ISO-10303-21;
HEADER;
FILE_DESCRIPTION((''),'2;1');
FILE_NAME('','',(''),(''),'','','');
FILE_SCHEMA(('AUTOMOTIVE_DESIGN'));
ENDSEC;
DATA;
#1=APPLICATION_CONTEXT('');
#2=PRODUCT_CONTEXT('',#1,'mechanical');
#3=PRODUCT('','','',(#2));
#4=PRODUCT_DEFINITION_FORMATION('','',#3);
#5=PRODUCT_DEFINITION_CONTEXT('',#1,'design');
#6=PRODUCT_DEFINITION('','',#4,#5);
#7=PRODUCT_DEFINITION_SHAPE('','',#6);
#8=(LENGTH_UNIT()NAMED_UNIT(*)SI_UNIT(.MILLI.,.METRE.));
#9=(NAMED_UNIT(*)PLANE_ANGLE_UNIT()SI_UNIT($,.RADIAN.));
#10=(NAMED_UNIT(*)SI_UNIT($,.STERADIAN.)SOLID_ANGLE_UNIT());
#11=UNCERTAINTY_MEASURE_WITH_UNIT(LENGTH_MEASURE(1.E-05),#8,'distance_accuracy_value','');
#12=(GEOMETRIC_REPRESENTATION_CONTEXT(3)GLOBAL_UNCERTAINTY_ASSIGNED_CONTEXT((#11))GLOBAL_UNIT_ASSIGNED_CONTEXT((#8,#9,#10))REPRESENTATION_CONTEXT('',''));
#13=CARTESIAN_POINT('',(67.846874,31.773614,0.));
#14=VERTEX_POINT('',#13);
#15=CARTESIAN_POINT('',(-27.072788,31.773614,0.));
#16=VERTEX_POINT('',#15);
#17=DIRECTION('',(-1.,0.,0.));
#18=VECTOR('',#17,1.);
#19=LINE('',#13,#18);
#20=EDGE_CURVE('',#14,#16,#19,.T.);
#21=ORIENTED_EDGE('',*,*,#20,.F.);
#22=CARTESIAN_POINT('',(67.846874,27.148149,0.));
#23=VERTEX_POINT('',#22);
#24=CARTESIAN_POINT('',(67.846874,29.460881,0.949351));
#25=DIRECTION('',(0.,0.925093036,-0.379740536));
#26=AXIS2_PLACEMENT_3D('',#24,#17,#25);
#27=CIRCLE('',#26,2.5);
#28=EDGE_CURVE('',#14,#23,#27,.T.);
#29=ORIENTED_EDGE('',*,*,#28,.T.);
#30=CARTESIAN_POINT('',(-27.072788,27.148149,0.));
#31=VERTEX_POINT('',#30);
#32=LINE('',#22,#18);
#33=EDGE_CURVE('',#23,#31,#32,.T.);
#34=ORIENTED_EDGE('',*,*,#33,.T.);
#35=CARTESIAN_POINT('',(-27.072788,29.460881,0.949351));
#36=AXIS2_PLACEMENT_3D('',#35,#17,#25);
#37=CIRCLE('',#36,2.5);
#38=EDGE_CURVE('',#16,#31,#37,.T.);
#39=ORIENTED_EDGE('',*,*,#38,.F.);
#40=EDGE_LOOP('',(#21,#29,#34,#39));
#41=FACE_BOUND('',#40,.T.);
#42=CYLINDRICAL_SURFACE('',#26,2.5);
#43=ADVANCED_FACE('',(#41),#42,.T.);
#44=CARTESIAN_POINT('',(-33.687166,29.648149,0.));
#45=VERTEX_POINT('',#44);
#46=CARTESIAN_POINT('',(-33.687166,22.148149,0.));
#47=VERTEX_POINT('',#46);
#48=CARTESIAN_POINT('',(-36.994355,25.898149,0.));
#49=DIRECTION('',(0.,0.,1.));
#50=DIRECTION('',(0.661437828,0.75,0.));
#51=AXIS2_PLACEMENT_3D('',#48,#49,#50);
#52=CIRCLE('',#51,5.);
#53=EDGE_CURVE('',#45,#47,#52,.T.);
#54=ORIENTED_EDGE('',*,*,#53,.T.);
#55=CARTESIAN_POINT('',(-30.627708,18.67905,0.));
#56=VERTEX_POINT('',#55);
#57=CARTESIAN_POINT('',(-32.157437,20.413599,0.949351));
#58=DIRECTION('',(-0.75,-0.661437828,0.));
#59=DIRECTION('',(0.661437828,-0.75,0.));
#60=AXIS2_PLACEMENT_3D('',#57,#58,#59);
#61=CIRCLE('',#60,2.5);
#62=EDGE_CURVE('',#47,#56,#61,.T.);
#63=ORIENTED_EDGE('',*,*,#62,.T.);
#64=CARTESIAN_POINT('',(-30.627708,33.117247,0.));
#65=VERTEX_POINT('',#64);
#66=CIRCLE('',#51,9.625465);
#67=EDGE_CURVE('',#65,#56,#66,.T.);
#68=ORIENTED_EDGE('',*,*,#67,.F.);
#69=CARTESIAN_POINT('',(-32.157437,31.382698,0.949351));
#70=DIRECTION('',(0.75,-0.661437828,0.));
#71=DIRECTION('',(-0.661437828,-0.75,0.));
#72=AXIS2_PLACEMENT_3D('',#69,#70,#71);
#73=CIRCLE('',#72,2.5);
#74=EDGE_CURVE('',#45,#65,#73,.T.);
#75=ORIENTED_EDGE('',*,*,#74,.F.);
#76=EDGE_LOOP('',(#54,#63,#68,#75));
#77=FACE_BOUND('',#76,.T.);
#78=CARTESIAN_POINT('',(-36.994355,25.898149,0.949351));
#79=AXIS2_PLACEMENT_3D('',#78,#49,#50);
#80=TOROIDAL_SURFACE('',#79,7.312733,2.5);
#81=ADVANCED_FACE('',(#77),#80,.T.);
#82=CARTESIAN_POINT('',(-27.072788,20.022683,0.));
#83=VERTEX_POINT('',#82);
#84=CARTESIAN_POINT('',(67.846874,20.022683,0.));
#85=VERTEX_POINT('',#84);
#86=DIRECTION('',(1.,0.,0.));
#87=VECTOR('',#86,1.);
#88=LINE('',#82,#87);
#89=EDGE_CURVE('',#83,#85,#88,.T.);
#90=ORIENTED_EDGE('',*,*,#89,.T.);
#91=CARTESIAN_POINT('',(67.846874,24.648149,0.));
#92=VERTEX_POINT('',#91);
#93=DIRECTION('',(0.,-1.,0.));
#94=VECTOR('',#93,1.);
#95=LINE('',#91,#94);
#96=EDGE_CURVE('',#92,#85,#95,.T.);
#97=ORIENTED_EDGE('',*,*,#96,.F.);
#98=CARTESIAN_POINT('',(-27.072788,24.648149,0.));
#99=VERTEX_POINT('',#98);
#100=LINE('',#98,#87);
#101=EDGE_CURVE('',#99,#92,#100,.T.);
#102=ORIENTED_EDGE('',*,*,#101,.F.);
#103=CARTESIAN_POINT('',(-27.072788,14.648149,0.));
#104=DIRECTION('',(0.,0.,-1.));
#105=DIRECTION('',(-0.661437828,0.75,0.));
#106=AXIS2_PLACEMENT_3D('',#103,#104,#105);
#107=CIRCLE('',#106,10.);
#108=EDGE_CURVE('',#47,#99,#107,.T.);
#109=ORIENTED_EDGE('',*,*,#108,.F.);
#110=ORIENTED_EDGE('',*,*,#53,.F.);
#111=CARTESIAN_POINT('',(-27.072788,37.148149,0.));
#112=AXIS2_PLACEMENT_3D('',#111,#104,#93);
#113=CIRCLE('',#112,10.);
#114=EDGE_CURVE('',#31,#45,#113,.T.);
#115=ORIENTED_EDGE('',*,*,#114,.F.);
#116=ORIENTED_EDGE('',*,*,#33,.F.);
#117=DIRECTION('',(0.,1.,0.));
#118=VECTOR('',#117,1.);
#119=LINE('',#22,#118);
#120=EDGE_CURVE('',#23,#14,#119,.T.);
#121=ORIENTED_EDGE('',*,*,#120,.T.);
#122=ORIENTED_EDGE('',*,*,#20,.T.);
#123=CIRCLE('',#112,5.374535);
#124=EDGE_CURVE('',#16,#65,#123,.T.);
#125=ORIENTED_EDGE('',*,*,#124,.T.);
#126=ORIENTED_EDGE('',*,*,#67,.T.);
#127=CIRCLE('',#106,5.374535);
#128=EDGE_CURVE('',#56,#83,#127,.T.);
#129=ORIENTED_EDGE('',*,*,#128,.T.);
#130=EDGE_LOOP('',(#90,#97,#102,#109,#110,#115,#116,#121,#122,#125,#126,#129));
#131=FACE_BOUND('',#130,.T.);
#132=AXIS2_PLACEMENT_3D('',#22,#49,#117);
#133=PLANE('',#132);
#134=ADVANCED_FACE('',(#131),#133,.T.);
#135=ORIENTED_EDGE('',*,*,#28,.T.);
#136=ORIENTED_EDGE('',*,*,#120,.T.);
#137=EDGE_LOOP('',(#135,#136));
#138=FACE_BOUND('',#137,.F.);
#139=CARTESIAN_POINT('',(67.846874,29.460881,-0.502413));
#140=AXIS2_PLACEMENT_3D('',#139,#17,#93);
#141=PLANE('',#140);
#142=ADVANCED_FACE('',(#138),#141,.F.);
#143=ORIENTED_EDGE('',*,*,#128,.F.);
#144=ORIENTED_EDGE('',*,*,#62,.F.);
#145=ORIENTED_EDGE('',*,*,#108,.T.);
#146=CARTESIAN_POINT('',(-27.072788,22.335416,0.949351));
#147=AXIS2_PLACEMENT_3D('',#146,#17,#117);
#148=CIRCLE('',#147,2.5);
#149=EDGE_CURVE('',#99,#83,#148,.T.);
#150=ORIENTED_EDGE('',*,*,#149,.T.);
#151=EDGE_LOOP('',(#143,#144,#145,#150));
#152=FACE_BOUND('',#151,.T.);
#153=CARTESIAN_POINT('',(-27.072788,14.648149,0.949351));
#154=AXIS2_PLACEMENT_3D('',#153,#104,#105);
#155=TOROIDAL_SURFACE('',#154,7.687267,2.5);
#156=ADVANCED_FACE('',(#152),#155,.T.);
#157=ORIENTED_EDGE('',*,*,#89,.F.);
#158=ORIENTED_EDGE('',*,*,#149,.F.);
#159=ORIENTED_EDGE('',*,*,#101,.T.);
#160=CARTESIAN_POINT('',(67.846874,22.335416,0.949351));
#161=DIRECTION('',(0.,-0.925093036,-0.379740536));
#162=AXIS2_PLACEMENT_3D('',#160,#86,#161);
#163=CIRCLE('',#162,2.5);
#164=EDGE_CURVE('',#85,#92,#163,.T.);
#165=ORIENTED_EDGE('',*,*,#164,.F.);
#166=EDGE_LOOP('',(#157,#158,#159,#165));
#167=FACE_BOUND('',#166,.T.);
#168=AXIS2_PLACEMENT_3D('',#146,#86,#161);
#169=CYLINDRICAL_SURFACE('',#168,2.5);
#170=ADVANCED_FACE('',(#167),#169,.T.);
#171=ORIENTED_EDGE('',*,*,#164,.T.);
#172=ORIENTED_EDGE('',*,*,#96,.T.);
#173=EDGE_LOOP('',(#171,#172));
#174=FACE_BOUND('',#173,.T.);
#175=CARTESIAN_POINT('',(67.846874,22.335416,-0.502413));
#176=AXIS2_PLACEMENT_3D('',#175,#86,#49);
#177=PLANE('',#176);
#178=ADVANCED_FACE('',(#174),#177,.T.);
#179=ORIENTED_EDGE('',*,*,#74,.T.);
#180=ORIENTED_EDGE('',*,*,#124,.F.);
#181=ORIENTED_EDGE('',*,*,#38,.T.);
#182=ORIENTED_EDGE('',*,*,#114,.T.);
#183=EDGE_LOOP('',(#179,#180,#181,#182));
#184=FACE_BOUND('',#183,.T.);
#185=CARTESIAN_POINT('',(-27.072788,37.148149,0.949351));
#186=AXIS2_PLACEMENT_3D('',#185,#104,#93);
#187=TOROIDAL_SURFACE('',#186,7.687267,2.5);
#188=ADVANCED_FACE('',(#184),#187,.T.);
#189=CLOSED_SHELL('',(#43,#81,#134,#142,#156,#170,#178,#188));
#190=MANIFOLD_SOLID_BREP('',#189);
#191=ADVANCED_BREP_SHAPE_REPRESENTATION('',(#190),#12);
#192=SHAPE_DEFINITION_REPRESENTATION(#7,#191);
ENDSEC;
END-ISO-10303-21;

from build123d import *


with BuildPart() as f3:
    # F3: sweep along a path in F0
    with BuildLine(Plane.XY) as f3_path:
        Line((67.8468741477, 27.1481485665), (-27.0727876186, 27.1481485665))
        ThreePointArc((-27.0727876186, 27.1481485665), (-30.6083215245, 27.7940050995), (-33.6871658963, 29.6481485665))
        ThreePointArc((-33.6871658963, 29.6481485665), (-41.9943550351, 25.8981485665), (-33.6871658963, 22.1481485665))
        ThreePointArc((-33.6871658963, 22.1481485665), (-30.6083215245, 24.0022920334), (-27.0727876186, 24.6481485665))
        Line((-27.0727876186, 24.6481485665), (67.8468741477, 24.6481485665))
    # F2 (on plane+point) → F3 (sweep)
    with BuildSketch(Plane.YZ.offset(67.8468741477)):
        with BuildLine():
            Line((24.6481485665, 0), (20.0226833864, 0))
            ThreePointArc((20.0226833864, 0), (22.3354159764, -1.5506486599), (24.6481485665, 0))
        make_face()
    sweep(path=f3_path.line)


solid = f3.part
